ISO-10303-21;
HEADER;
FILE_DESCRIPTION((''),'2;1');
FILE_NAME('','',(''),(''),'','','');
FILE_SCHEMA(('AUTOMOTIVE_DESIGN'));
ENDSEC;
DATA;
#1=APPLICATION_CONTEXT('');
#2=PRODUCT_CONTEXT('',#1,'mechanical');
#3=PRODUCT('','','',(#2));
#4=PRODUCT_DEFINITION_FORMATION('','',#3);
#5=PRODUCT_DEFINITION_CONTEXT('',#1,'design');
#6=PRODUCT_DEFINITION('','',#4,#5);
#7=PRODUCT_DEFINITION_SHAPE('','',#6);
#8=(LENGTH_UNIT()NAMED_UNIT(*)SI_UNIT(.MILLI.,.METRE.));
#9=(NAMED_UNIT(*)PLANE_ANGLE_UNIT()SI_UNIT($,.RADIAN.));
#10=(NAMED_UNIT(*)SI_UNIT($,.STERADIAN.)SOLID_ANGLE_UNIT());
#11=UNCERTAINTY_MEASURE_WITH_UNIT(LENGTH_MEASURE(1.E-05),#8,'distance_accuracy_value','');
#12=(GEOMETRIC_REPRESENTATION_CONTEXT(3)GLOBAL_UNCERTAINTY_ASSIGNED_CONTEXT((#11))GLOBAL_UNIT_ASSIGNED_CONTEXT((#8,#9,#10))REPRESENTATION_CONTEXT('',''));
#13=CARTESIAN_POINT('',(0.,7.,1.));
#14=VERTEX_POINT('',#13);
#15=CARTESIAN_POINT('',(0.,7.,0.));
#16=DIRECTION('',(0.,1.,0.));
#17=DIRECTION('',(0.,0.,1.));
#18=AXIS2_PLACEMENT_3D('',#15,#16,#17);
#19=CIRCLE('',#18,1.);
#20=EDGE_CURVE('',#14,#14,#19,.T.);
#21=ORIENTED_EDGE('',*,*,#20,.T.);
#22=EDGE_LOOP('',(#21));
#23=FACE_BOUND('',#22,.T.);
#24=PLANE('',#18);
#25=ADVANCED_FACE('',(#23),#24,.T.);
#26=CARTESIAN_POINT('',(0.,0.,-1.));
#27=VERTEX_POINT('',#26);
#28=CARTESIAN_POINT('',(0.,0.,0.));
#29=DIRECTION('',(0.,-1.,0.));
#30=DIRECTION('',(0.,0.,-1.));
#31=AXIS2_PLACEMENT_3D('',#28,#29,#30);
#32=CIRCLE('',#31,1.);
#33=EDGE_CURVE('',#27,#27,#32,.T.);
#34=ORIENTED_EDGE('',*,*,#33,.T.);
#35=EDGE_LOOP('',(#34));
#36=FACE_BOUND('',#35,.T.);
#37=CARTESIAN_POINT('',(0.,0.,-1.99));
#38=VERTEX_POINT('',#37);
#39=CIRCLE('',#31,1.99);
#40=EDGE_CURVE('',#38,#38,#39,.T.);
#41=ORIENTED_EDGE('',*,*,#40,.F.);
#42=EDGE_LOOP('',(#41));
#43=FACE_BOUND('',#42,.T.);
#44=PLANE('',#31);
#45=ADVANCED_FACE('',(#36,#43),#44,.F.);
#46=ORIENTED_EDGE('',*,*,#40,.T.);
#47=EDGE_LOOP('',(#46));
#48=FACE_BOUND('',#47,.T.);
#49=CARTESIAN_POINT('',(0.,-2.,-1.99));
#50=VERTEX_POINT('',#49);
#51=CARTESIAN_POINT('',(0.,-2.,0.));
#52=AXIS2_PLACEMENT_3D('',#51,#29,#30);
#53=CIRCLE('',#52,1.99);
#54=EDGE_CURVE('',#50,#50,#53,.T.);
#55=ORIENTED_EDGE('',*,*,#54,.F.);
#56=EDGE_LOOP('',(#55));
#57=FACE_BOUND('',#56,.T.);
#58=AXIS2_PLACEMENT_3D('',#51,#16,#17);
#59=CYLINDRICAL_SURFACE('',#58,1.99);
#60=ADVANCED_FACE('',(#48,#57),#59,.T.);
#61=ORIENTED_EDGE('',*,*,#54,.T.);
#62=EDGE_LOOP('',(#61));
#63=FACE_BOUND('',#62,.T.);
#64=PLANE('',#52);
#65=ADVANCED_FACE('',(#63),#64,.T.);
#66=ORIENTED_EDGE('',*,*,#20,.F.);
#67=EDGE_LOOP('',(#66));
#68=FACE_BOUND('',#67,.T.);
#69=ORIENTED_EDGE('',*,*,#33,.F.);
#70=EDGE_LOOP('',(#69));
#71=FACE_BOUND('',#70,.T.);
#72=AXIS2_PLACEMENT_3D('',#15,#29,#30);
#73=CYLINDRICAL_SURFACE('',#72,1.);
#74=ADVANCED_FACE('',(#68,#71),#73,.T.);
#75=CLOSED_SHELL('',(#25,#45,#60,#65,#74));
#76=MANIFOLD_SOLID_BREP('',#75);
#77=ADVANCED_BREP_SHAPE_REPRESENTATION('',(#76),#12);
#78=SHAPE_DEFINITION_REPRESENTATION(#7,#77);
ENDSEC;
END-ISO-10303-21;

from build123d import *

# Parameters (mm, degrees)
SKETCH_1_R      = 1
EXTRUDE_1_DEPTH = 7
SKETCH_2_R      = 1.99
EXTRUDE_2_DEPTH = 2


with BuildPart() as part:
    # 草图1 → 凸台-拉伸1 (new body)
    with BuildSketch(Plane(origin=(0, 0, 0), x_dir=(1, 0, 0), z_dir=(0, 1, 0))):
        with Locations(Location((0, 0, 0), (0, 0, 270))):
            Circle(SKETCH_1_R)
    extrude(amount=EXTRUDE_1_DEPTH)

    # 草图2 → 凸台-拉伸2 (add)
    with BuildSketch(Plane.XZ):
        with Locations(Location((0, 0, 0), (0, 0, 270))):
            Circle(SKETCH_2_R)
    extrude(amount=EXTRUDE_2_DEPTH)


solid = part.part
